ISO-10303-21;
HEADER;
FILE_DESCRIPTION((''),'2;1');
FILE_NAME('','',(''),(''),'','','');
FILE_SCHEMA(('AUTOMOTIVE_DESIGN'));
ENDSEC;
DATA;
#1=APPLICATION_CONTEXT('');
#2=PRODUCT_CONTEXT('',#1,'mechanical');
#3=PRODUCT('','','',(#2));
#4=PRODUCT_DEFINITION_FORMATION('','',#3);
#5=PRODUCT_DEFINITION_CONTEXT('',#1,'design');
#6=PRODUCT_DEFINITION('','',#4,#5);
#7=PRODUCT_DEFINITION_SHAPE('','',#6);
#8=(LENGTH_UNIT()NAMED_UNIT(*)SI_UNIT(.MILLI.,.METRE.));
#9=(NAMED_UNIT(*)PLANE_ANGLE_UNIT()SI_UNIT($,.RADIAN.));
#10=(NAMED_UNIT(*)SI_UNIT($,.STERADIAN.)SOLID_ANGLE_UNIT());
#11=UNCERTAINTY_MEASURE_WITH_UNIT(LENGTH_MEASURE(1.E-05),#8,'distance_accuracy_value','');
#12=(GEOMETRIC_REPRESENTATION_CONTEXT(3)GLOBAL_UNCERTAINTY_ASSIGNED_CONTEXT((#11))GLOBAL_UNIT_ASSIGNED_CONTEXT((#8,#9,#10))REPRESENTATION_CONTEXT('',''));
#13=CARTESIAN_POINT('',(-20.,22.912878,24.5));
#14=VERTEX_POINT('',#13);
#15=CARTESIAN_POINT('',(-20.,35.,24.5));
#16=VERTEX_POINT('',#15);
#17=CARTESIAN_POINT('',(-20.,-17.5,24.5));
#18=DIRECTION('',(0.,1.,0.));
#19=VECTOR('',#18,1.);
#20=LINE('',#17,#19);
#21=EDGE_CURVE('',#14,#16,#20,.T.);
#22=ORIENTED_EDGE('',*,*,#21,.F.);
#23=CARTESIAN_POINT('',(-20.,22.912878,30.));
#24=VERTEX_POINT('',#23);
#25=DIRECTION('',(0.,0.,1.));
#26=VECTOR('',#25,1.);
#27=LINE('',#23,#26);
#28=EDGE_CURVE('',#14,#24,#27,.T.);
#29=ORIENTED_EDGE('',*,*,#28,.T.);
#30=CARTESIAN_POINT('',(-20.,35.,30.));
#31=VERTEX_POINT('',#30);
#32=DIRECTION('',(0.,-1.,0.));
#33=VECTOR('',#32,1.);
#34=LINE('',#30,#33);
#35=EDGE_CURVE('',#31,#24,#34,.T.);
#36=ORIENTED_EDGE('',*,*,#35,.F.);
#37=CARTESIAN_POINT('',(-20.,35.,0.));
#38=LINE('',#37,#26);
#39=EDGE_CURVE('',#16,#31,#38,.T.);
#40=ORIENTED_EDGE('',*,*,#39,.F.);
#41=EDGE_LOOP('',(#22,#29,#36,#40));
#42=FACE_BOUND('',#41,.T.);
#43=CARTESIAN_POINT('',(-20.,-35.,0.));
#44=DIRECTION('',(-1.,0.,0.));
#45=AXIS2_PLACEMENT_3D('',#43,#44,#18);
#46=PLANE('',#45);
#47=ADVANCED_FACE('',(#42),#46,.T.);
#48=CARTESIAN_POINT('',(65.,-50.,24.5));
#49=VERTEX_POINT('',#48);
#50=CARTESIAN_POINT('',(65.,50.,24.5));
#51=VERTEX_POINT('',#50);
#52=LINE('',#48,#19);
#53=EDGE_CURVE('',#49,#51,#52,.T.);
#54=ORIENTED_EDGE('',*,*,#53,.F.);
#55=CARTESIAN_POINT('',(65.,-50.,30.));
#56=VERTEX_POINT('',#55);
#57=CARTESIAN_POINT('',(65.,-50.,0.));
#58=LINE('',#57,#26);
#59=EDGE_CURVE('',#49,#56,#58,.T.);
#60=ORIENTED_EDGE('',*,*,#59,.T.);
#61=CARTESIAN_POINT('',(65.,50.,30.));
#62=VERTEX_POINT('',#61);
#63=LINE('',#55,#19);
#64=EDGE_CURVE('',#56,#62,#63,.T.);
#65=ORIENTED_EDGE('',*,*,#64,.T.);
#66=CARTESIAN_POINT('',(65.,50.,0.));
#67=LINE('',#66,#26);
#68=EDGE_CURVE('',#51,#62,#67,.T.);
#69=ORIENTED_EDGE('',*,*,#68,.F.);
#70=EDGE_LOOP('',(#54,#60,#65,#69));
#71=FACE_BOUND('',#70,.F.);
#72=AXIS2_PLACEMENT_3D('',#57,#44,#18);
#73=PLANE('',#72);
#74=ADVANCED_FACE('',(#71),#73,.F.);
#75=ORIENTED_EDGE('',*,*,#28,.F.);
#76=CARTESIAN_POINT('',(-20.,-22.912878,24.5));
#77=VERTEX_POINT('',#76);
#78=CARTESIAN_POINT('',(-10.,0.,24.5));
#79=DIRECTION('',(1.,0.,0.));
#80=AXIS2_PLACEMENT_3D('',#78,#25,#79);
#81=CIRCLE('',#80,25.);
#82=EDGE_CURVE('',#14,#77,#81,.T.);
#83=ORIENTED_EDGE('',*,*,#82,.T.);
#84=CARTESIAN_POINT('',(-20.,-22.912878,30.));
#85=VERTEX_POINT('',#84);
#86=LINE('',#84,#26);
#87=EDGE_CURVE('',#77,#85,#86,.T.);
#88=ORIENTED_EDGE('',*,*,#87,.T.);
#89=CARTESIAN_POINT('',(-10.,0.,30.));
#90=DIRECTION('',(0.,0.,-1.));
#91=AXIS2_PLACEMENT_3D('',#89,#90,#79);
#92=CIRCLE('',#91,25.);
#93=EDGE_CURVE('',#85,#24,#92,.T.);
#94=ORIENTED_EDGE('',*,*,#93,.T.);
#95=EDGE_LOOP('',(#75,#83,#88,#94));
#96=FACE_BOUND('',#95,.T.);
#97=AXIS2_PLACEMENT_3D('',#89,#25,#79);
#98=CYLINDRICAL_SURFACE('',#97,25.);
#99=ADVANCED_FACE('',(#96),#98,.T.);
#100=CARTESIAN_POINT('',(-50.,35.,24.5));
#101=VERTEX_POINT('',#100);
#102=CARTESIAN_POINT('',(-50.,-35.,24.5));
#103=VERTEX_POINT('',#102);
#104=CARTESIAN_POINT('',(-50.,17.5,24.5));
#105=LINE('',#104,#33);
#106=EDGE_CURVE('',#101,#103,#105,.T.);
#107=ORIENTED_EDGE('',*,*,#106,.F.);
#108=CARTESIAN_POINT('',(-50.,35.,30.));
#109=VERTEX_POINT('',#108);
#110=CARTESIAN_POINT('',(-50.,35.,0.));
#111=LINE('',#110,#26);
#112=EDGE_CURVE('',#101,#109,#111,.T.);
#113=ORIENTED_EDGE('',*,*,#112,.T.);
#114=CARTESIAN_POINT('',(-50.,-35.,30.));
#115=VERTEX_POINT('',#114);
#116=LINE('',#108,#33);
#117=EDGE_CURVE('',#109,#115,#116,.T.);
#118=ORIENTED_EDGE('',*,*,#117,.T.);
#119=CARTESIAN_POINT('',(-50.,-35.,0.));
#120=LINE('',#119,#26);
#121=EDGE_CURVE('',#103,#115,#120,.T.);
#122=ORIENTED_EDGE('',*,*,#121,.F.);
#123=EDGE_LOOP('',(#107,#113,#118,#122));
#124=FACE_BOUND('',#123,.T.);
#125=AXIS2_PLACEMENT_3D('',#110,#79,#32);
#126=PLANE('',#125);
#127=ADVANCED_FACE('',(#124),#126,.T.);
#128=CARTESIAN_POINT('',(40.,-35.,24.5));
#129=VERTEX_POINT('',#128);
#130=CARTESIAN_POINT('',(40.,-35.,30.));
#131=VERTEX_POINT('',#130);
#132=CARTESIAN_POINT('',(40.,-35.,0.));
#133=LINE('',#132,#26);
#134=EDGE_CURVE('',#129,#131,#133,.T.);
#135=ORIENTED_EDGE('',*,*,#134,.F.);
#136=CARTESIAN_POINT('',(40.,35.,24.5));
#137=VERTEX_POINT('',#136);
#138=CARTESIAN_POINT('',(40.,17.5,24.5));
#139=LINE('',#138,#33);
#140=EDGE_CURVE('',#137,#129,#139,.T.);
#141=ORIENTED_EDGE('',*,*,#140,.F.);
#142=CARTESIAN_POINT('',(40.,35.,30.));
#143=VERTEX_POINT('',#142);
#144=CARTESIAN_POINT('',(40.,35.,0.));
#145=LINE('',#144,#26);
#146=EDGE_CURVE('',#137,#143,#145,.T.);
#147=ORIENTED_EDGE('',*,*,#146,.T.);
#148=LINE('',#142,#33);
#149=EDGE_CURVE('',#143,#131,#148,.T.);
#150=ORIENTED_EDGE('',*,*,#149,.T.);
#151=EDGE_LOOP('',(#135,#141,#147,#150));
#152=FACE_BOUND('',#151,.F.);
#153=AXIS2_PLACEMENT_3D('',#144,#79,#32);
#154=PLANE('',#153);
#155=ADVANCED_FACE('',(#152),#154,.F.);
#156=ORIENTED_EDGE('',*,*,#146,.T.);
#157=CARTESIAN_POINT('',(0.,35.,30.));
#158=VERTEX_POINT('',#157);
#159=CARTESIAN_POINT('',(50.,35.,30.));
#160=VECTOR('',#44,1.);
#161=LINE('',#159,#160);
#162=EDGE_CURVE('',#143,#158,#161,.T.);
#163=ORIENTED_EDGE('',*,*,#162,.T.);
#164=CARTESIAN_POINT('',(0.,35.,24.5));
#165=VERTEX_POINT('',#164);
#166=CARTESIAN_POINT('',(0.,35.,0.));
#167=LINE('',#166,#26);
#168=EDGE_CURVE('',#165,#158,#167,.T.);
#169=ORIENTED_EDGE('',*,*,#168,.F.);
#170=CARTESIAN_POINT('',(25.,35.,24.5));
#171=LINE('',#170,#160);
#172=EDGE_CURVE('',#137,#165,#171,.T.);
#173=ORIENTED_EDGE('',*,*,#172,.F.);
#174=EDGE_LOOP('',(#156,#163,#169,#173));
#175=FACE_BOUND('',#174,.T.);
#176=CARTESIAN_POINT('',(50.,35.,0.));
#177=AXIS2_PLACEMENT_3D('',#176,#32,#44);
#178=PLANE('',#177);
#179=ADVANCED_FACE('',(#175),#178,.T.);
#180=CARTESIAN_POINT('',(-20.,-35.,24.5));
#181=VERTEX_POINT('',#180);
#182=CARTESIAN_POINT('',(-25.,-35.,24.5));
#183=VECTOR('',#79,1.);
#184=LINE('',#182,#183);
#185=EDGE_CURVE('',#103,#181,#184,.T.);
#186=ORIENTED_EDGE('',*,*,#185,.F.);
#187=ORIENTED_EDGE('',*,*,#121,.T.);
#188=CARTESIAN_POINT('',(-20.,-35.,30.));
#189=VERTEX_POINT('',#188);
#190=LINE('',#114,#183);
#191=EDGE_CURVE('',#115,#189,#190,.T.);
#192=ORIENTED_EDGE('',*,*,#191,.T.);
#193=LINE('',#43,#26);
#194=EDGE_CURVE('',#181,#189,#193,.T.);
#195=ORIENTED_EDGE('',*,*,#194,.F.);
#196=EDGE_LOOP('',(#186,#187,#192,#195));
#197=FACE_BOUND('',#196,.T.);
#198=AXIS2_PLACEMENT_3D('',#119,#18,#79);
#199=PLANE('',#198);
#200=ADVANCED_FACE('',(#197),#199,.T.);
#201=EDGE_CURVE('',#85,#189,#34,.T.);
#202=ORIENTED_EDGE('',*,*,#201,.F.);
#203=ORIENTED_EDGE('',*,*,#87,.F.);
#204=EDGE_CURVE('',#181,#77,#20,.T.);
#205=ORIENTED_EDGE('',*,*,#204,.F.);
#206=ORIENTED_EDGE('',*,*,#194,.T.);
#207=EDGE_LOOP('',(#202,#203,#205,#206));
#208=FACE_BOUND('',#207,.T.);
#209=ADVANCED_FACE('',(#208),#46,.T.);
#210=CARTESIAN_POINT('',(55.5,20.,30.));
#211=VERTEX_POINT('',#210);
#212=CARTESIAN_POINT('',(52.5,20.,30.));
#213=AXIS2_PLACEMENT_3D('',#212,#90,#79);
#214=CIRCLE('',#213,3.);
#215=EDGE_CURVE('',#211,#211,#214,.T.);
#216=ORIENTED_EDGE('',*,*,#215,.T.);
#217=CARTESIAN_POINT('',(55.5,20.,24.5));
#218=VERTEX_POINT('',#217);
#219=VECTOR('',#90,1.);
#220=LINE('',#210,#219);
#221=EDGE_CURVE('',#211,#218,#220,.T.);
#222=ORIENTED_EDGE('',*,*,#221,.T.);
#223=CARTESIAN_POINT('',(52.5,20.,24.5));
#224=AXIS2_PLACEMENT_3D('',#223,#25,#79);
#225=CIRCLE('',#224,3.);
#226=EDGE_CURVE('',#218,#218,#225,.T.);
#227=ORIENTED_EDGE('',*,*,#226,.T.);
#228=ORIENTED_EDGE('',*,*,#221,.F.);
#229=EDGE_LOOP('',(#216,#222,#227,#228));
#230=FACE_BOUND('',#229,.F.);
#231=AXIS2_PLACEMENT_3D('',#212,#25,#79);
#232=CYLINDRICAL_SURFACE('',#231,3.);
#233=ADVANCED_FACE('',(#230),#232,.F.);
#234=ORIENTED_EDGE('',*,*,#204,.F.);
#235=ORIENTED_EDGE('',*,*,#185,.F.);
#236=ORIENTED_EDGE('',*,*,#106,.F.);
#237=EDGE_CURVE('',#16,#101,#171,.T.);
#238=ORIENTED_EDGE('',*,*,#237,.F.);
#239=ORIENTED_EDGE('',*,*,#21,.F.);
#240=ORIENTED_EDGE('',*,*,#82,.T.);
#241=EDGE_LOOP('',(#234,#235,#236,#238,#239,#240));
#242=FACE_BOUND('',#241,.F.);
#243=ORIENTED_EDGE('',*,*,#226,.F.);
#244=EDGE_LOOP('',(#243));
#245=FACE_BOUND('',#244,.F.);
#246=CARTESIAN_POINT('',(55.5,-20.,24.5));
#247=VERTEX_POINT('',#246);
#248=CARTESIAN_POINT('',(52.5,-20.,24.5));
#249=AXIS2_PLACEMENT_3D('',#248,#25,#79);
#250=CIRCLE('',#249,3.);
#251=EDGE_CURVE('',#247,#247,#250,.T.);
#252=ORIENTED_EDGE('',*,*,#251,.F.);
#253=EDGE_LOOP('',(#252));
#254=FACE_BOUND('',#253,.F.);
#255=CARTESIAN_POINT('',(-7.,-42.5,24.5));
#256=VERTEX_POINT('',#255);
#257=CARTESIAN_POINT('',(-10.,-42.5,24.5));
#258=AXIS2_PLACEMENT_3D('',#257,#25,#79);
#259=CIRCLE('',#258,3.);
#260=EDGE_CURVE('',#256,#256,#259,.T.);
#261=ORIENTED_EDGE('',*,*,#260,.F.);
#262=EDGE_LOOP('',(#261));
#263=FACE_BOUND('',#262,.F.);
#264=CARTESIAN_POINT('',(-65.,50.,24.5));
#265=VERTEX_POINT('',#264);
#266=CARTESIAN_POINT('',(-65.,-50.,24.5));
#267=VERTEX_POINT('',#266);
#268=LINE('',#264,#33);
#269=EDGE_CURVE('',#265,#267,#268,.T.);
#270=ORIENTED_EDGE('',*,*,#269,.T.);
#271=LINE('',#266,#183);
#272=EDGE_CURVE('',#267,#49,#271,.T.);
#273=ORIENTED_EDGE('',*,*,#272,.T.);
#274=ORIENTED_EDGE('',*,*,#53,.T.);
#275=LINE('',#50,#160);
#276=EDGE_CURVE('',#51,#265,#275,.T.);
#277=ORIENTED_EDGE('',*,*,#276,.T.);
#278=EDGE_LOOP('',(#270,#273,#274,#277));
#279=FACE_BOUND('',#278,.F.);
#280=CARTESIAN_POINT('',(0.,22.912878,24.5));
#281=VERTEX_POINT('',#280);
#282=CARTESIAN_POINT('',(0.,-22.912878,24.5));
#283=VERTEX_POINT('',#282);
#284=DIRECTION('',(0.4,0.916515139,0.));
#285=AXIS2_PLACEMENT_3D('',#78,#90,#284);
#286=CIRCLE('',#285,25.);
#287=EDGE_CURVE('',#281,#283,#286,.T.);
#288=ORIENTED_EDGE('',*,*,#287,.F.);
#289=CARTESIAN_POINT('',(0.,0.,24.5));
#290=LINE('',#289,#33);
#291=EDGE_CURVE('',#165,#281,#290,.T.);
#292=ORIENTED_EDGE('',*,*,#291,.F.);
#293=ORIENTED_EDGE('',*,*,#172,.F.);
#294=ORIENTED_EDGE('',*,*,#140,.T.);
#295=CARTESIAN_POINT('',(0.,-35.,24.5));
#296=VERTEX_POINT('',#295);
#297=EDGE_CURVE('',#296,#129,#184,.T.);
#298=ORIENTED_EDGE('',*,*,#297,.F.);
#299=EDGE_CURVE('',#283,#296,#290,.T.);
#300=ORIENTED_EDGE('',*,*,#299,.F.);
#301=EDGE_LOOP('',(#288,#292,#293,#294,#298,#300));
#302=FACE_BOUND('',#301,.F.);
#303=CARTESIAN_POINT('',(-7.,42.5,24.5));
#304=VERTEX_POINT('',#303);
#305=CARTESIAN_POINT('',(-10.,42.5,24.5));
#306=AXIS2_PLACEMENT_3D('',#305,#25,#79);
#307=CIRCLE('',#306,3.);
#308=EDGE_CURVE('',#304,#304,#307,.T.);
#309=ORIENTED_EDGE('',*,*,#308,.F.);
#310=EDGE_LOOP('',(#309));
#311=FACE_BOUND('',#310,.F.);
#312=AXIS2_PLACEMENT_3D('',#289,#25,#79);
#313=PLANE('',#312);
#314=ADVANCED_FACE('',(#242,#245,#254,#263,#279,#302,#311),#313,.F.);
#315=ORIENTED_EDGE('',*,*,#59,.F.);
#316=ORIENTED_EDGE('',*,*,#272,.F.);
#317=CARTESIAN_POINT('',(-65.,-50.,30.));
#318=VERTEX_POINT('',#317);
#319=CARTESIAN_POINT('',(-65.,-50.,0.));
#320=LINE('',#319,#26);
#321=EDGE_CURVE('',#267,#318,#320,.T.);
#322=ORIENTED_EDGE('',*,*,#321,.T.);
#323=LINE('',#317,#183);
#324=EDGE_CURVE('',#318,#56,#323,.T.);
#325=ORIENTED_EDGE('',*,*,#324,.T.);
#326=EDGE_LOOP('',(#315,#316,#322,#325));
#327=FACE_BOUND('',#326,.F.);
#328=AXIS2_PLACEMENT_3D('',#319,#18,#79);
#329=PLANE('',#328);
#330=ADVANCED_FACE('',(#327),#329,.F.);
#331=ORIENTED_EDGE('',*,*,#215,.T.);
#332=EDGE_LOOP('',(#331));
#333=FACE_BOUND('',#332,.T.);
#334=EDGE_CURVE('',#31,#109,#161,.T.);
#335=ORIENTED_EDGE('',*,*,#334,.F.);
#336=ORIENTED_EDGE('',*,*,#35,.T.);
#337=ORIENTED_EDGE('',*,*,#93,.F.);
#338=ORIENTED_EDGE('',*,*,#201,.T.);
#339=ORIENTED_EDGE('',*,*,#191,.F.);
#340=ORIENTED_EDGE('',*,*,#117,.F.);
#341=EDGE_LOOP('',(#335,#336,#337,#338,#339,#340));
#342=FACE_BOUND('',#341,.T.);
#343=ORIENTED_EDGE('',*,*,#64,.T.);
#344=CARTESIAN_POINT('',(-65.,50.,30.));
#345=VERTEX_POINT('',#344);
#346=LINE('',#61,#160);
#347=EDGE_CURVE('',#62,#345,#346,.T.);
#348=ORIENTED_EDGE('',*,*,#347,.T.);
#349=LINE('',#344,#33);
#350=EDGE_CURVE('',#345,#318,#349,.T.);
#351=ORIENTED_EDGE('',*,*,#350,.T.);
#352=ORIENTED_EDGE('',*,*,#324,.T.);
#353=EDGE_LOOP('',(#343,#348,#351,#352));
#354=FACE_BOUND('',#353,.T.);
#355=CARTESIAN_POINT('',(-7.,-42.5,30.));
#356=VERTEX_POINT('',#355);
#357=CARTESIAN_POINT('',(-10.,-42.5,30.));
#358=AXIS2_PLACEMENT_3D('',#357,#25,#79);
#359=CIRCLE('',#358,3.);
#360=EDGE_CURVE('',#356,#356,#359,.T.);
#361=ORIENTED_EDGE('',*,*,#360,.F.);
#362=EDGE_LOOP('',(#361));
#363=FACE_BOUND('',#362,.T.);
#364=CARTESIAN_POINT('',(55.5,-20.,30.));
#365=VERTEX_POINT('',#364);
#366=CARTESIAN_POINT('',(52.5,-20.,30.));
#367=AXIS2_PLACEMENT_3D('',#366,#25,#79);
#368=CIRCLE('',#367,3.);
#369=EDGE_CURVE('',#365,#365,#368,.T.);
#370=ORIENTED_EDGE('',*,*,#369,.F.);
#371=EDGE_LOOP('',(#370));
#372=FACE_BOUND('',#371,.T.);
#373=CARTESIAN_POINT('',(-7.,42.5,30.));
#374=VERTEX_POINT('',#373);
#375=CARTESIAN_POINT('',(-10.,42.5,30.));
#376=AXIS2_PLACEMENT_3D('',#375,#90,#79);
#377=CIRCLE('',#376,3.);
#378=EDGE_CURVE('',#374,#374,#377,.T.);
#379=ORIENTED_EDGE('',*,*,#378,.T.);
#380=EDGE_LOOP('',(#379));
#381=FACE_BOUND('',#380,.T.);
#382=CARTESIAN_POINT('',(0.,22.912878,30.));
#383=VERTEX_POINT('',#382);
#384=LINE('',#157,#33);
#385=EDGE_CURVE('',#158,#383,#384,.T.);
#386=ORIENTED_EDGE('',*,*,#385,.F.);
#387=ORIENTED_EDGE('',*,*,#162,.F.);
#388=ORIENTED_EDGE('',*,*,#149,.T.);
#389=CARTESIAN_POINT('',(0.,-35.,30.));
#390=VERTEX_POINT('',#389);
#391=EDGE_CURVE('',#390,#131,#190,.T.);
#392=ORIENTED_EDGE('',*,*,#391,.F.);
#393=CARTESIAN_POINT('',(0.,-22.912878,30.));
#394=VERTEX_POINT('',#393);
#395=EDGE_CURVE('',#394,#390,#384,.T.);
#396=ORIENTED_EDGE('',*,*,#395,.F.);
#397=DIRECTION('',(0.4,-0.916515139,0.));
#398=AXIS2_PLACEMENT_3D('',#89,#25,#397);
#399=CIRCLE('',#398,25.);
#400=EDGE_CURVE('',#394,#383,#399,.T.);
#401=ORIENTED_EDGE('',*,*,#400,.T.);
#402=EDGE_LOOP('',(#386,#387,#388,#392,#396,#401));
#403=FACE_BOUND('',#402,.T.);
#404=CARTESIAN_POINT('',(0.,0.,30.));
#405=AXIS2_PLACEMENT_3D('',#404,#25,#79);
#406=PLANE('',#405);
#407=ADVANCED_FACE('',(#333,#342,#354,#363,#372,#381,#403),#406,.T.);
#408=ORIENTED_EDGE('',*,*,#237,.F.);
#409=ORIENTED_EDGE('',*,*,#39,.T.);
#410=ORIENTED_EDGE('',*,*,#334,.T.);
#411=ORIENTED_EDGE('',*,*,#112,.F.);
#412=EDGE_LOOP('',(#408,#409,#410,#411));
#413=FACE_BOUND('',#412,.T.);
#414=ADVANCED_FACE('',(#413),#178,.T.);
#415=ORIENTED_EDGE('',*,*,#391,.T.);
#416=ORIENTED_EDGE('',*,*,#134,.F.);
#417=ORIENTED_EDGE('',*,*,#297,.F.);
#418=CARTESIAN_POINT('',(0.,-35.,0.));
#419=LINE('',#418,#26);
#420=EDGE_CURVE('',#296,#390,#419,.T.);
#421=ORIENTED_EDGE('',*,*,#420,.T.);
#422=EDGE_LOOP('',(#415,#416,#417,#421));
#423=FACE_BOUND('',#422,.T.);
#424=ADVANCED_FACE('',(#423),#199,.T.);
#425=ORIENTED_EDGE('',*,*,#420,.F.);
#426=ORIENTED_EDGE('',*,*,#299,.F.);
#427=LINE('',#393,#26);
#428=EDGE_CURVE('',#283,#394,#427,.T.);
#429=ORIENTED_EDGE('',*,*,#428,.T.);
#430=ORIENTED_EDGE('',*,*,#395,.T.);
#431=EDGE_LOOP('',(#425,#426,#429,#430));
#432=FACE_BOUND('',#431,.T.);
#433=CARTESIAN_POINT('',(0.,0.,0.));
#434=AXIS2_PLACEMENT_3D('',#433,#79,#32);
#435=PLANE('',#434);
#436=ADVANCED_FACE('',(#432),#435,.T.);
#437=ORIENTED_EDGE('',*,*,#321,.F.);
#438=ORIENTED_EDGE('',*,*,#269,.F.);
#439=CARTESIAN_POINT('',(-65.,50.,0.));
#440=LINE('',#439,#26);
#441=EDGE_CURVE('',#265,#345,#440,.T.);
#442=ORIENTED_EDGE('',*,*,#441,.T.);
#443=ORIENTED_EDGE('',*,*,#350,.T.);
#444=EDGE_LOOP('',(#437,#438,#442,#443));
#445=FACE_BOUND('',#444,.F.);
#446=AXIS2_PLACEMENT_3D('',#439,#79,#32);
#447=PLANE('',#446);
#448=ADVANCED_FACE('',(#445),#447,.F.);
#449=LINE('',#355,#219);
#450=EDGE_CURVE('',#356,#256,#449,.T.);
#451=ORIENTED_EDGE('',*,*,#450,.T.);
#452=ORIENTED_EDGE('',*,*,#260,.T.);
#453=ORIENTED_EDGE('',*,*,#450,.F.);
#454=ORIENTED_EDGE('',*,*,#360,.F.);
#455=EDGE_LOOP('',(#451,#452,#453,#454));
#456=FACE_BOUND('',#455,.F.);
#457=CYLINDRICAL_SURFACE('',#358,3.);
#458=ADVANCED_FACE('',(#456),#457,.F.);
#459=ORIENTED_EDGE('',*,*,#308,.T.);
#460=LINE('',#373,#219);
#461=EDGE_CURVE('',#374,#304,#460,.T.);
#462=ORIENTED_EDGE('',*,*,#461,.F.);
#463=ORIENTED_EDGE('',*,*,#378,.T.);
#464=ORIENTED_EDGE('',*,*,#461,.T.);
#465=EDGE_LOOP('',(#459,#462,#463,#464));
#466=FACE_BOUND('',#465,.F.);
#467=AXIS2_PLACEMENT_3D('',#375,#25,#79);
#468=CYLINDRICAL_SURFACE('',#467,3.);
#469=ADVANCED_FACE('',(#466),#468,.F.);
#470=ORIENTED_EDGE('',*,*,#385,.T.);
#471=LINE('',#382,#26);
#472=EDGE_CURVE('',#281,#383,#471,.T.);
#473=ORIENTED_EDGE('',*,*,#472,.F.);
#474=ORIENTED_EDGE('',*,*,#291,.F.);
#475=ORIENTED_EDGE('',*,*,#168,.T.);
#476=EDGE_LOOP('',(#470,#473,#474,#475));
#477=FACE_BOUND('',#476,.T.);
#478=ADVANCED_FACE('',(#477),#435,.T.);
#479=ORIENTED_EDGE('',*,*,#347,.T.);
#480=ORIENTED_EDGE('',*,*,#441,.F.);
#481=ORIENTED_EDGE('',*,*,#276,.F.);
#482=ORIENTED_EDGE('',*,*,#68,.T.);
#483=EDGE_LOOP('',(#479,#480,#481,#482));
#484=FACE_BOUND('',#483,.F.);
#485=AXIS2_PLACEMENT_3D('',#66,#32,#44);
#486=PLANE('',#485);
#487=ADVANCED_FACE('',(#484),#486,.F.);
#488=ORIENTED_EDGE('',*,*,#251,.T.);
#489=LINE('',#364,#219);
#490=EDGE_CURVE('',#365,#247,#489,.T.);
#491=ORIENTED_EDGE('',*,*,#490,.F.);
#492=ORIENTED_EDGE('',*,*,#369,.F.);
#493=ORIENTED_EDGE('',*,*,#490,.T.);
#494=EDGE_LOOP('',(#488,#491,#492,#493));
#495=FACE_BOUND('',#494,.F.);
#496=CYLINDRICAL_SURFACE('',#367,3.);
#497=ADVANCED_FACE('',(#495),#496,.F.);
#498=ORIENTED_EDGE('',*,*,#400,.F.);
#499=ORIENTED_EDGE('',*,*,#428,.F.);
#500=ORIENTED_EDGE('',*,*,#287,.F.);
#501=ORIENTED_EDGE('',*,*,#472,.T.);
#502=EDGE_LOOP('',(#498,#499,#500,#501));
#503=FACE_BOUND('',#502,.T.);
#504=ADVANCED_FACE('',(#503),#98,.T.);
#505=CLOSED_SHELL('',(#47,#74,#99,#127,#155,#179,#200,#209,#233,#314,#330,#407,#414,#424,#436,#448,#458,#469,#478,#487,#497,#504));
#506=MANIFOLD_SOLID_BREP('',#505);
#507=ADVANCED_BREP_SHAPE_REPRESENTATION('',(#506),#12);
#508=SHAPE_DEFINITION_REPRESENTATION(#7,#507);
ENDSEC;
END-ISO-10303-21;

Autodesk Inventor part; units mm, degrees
ref_plane "YZ Plane" through (0, 0, 0) normal (1, 0, 0) x (0, 1, 0)
ref_plane "XZ Plane" through (0, 0, 0) normal (0, 1, 0) x (-1, 0, 0)
ref_plane "XY Plane" through (0, 0, 0) normal (0, 0, 1) x (1, 0, 0)
sketch "Boceto1" plane through (0, 0, 0) normal (0, 0, 1) x (1, 0, 0)
  line L0 (-65, -50) -> (65, -50)
  line L1 (65, -50) -> (65, 50)
  line L2 (65, 50) -> (-65, 50)
  line L3 (-65, 50) -> (-65, -50)
  line L4 (-65, -50) -> (65, 50) construction
  line L5 (65, -50) -> (-65, 50) construction
  line L6 (-50, -35) -> (50, -35)
  line L7 (50, -35) -> (50, 35)
  line L8 (50, 35) -> (-50, 35)
  line L9 (-50, 35) -> (-50, -35)
  line L10 (-50, -35) -> (50, 35) construction
  line L11 (50, -35) -> (-50, 35) construction
  point P0 (0, 0)
  dimension "d0" = 130
  dimension "d1" = 100
  dimension "d2" = 100
  dimension "d3" = 70
extrude "Extrusión1" add sketch "Boceto1" along normal blind 30
sketch "Boceto2" plane through (0, 0, 0) normal (0, 0, 1) x (1, 0, 0)
  line L0 (0, 0) -> (-20, 0)
  line L1 (-20, 0) -> (-20, 35)
  line L2 (-50, 35) -> (50, 35) projected
  line L3 (-20, 0) -> (0, 0)
  line L4 (0, 0) -> (0, 35)
  line L5 (0, 35) -> (-20, 35)
  line L6 (-20, 35) -> (-20, 0)
  line L7 (50, -35) -> (-50, -35) projected
  line L8 (-20, 0) -> (0, 0)
  line L9 (0, 0) -> (0, -35)
  line L10 (0, -35) -> (-20, -35)
  line L11 (-20, -35) -> (-20, 0)
  line L12 (50, 35) -> (40, 35)
  line L13 (40, 35) -> (40, -35)
  line L14 (50, 35) -> (50, -35) projected
  line L15 (50, -35) -> (50, 35)
  line L16 (50, -35) -> (40, -35)
  dimension "d6" = 20
  dimension "d7" = 10
extrude "Extrusión2" add sketch "Boceto2" along normal blind 30 contours L2 L14 L7 L13
extrude "Extrusión3" add sketch "Boceto2" along normal blind 30 contours L9 L7 L11 L0 | L0 L1 L2 L4
ref_plane "Plano de trabajo1" through (0, 0, 15) normal (0, 0, 1) x (1, 0, 0)
sketch "Boceto6" plane through (0, 0, 15) normal (0, 0, 1) x (1, 0, 0)
  line L0 (-65, 50) -> (-65, -50) projected
  line L1 (65, 50) -> (-65, 50) projected
  line L2 (-65, -50) -> (65, -50)
  line L3 (65, -50) -> (65, 50)
  line L4 (65, 50) -> (-65, 50)
  line L5 (-65, 50) -> (-65, -50)
  point P0 (0, 0)
extrude "Extrusión7" cut sketch "Boceto6" along normal blind 9.5 and the other way blind 20
sketch "Boceto13" plane through (0, 0, 30) normal (0, 0, 1) x (1, 0, 0)
  line L0 (0, 0) -> (-20, 0)
  line L1 (-20, 35) -> (-20, -35)
  line L2 (-10, 0) -> (-10, 50)
  line L3 (65, 50) -> (-65, 50)
  line L4 (0, 35) -> (-10, 35)
  line L5 (-10, 35) -> (-10, 50)
  line L6 (-10, 50) -> (-10, 42.5)
  line L7 (-10, 0) -> (65, 0)
  line L8 (65, -50) -> (65, 50)
  line L9 (40, 35) -> (40, -35)
  line L10 (40, 0) -> (65, 0)
  line L11 (52.5, 0) -> (52.5, 20)
  circle A0 centre (-10, 42.5) radius 3
  circle A1 centre (52.5, 20) radius 3
  circle A2 centre (-10, -42.5) radius 3
  circle A3 centre (52.5, -20) radius 3
  dimension "d52" = 20
  dimension "d53" = 6
  dimension "d54" = 6
extrude "Extrusión13" cut sketch "Boceto13" against normal blind 9.5 contours A1 | A0 L2 | L2 A0 | A2 | A3
sketch "Boceto14" plane through (0, 0, 30) normal (0, 0, 1) x (1, 0, 0)
  line L0 (-20, 35) -> (-20, -35) projected
  line L1 (-20, 0) -> (0, 0)
  circle A0 centre (-10, 0) radius 25
  dimension "d57" = 50
extrude "Extrusión14" add sketch "Boceto14" against normal blind 5.5
properties part number "BASE_UP"
